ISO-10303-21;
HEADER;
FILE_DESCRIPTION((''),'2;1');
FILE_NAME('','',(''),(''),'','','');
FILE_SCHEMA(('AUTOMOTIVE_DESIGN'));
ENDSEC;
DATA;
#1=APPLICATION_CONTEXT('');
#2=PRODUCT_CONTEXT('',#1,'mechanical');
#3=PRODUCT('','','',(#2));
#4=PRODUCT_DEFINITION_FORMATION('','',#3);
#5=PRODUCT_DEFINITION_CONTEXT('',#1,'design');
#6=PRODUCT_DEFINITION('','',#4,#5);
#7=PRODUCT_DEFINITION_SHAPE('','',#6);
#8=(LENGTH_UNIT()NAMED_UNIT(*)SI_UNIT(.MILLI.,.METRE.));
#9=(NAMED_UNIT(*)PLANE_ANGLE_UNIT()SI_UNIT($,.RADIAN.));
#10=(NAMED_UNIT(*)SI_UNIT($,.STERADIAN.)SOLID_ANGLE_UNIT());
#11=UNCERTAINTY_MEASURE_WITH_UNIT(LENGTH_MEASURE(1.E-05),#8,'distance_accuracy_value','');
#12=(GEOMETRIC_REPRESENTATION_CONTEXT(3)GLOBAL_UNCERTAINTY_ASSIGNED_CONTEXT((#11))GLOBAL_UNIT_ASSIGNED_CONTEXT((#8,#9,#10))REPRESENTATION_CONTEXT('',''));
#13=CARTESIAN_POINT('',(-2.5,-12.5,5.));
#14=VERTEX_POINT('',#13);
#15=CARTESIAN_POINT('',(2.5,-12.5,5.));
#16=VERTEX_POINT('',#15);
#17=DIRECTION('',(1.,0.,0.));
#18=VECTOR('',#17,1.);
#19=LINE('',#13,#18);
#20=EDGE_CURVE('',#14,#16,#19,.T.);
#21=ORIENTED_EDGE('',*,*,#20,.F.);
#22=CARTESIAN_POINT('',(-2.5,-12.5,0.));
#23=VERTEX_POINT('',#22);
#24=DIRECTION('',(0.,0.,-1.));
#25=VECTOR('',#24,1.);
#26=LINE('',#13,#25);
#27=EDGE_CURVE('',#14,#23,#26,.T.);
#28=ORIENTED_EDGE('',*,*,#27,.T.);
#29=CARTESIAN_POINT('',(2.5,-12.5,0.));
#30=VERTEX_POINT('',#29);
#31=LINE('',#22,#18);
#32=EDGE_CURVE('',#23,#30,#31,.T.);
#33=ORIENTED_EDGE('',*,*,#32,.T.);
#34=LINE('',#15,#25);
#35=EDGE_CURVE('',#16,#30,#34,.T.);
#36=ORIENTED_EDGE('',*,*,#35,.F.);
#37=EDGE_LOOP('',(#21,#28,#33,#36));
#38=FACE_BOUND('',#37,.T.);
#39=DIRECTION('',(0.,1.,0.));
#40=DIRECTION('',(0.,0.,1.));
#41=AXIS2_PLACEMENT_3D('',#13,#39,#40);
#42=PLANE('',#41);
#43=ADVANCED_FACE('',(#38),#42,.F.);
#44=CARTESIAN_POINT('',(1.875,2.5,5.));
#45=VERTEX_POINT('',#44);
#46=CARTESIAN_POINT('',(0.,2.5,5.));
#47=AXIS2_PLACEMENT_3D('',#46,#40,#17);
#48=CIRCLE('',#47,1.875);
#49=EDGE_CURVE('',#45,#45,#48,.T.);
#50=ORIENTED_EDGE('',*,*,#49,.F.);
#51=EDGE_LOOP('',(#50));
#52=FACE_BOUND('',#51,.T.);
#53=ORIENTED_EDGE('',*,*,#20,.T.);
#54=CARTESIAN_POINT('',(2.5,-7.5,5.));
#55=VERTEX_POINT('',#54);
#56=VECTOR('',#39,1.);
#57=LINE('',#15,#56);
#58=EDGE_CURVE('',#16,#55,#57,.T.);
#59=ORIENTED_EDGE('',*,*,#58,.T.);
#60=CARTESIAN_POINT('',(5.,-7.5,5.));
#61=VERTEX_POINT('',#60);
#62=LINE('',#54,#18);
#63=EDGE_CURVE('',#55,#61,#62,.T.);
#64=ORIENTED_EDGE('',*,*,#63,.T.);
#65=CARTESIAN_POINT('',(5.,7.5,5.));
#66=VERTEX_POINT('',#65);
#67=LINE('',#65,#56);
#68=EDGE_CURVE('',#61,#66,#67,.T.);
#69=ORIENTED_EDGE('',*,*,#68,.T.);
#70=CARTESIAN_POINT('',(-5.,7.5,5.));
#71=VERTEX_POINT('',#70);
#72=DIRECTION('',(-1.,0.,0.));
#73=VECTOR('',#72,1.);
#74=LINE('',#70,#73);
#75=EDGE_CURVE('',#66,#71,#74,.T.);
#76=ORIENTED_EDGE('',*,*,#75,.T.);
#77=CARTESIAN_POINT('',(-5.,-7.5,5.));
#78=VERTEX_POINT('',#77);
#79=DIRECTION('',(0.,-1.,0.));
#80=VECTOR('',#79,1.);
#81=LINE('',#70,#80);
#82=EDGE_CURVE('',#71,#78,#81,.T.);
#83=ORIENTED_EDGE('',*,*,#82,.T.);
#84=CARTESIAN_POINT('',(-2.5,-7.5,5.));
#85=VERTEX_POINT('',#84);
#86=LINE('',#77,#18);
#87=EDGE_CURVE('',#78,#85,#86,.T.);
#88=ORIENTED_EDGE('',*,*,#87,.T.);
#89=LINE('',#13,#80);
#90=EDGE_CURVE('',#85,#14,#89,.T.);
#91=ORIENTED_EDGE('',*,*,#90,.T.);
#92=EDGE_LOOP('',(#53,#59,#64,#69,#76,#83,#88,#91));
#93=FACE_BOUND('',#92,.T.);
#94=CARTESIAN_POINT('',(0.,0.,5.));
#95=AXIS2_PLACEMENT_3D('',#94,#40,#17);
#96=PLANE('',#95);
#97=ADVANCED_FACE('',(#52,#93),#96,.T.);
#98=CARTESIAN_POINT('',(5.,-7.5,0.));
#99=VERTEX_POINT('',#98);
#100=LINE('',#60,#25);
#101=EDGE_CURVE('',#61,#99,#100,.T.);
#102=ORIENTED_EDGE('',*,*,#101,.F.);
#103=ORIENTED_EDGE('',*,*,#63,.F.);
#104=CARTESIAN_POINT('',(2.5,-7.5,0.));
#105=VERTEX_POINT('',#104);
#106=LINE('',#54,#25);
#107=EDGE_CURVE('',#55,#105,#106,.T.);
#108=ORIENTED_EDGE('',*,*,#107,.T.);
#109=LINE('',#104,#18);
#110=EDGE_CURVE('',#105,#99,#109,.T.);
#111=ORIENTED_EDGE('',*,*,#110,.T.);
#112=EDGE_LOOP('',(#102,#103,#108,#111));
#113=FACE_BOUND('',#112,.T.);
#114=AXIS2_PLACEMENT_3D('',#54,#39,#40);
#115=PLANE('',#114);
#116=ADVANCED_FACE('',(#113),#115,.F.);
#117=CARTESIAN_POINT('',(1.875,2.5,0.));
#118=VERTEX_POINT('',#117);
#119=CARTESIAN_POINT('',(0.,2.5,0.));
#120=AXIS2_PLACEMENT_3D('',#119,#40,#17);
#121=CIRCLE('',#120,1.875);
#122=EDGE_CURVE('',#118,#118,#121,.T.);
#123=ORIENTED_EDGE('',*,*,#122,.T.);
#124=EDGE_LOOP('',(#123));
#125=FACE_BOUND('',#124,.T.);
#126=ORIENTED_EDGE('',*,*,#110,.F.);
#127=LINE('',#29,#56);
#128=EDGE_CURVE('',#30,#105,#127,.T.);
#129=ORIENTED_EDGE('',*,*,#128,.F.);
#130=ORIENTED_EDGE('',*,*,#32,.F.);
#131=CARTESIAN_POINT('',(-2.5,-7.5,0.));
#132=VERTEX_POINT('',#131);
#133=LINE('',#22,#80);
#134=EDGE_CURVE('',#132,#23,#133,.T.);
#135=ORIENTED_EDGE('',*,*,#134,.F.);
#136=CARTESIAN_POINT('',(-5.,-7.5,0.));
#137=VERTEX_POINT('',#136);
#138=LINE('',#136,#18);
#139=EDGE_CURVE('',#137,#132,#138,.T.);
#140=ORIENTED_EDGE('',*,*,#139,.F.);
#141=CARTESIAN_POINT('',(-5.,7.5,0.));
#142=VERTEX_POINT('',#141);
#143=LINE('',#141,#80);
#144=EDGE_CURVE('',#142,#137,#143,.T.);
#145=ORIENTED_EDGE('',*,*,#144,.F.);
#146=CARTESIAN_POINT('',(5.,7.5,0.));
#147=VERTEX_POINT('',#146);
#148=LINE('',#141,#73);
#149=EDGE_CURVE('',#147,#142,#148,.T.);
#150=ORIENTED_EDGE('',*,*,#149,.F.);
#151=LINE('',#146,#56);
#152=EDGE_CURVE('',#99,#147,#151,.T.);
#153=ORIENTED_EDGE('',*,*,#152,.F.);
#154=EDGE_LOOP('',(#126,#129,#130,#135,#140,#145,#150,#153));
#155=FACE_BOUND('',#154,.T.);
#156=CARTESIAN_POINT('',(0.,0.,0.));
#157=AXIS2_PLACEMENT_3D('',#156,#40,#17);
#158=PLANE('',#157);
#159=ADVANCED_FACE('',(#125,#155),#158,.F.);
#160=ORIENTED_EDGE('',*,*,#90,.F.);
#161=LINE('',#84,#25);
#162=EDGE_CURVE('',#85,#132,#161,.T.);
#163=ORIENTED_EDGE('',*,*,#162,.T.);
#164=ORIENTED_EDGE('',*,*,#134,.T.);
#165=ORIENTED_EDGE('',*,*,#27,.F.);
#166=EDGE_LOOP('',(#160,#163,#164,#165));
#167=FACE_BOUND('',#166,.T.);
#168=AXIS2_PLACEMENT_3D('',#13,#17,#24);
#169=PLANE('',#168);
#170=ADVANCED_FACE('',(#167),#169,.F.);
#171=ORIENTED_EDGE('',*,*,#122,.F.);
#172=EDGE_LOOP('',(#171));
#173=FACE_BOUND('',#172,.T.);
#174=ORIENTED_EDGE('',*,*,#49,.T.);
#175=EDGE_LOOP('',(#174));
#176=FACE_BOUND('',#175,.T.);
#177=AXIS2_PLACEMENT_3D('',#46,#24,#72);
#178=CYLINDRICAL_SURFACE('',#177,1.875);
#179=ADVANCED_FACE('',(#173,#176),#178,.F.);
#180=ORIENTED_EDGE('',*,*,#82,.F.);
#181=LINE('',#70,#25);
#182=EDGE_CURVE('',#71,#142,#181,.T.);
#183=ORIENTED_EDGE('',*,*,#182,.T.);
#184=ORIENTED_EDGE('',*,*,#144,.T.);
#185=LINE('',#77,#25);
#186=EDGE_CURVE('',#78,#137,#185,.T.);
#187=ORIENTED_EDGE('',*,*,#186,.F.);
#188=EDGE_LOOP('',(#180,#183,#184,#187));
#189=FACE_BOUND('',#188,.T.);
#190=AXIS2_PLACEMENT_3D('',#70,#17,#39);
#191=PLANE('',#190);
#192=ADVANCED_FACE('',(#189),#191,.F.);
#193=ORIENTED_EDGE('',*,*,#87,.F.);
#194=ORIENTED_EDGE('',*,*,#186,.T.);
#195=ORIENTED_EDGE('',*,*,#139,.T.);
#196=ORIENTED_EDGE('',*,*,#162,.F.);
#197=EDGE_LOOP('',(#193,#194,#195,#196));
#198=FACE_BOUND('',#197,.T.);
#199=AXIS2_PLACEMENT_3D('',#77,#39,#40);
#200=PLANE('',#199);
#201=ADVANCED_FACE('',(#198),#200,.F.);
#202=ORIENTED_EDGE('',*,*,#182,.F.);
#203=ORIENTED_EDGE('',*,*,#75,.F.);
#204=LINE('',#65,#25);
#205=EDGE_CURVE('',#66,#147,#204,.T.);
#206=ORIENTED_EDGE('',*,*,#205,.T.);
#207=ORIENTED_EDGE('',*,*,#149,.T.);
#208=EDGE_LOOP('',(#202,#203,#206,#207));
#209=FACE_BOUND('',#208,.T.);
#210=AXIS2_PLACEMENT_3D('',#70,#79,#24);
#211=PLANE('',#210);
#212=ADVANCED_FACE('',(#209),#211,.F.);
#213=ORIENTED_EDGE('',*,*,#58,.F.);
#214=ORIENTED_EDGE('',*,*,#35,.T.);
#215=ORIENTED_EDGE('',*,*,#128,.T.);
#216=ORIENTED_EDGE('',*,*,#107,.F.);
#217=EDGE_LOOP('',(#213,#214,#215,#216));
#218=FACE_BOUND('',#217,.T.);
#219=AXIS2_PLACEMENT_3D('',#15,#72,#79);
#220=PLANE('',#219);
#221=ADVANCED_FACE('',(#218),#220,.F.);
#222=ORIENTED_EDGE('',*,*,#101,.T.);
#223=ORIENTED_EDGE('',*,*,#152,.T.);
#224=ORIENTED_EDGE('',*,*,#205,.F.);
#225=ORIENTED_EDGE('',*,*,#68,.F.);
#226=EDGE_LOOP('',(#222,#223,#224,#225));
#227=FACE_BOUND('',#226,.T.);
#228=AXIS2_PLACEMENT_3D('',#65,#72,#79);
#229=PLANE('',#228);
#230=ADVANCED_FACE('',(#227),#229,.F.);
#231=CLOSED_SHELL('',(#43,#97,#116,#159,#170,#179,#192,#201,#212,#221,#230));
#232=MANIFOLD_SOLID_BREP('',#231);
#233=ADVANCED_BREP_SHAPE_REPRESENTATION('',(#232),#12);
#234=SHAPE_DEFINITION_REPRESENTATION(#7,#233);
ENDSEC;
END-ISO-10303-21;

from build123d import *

# Parameters (mm, degrees)
SKETCH1_R           = 1.875
BOSS_EXTRUDE1_DEPTH = 5


with BuildPart() as part:
    # Sketch1 → Boss-Extrude1 (new body)
    with BuildSketch(Plane.XY):
        Polygon((2.5, -7.5), (5, -7.5), (5, 7.5), (-5, 7.5), (-5, -7.5), (-2.5, -7.5), (-2.5, -12.5), (2.5, -12.5), align=None)
        with Locations((0, 2.5)):
            Circle(SKETCH1_R, mode=Mode.SUBTRACT)
    extrude(amount=BOSS_EXTRUDE1_DEPTH)


solid = part.part
